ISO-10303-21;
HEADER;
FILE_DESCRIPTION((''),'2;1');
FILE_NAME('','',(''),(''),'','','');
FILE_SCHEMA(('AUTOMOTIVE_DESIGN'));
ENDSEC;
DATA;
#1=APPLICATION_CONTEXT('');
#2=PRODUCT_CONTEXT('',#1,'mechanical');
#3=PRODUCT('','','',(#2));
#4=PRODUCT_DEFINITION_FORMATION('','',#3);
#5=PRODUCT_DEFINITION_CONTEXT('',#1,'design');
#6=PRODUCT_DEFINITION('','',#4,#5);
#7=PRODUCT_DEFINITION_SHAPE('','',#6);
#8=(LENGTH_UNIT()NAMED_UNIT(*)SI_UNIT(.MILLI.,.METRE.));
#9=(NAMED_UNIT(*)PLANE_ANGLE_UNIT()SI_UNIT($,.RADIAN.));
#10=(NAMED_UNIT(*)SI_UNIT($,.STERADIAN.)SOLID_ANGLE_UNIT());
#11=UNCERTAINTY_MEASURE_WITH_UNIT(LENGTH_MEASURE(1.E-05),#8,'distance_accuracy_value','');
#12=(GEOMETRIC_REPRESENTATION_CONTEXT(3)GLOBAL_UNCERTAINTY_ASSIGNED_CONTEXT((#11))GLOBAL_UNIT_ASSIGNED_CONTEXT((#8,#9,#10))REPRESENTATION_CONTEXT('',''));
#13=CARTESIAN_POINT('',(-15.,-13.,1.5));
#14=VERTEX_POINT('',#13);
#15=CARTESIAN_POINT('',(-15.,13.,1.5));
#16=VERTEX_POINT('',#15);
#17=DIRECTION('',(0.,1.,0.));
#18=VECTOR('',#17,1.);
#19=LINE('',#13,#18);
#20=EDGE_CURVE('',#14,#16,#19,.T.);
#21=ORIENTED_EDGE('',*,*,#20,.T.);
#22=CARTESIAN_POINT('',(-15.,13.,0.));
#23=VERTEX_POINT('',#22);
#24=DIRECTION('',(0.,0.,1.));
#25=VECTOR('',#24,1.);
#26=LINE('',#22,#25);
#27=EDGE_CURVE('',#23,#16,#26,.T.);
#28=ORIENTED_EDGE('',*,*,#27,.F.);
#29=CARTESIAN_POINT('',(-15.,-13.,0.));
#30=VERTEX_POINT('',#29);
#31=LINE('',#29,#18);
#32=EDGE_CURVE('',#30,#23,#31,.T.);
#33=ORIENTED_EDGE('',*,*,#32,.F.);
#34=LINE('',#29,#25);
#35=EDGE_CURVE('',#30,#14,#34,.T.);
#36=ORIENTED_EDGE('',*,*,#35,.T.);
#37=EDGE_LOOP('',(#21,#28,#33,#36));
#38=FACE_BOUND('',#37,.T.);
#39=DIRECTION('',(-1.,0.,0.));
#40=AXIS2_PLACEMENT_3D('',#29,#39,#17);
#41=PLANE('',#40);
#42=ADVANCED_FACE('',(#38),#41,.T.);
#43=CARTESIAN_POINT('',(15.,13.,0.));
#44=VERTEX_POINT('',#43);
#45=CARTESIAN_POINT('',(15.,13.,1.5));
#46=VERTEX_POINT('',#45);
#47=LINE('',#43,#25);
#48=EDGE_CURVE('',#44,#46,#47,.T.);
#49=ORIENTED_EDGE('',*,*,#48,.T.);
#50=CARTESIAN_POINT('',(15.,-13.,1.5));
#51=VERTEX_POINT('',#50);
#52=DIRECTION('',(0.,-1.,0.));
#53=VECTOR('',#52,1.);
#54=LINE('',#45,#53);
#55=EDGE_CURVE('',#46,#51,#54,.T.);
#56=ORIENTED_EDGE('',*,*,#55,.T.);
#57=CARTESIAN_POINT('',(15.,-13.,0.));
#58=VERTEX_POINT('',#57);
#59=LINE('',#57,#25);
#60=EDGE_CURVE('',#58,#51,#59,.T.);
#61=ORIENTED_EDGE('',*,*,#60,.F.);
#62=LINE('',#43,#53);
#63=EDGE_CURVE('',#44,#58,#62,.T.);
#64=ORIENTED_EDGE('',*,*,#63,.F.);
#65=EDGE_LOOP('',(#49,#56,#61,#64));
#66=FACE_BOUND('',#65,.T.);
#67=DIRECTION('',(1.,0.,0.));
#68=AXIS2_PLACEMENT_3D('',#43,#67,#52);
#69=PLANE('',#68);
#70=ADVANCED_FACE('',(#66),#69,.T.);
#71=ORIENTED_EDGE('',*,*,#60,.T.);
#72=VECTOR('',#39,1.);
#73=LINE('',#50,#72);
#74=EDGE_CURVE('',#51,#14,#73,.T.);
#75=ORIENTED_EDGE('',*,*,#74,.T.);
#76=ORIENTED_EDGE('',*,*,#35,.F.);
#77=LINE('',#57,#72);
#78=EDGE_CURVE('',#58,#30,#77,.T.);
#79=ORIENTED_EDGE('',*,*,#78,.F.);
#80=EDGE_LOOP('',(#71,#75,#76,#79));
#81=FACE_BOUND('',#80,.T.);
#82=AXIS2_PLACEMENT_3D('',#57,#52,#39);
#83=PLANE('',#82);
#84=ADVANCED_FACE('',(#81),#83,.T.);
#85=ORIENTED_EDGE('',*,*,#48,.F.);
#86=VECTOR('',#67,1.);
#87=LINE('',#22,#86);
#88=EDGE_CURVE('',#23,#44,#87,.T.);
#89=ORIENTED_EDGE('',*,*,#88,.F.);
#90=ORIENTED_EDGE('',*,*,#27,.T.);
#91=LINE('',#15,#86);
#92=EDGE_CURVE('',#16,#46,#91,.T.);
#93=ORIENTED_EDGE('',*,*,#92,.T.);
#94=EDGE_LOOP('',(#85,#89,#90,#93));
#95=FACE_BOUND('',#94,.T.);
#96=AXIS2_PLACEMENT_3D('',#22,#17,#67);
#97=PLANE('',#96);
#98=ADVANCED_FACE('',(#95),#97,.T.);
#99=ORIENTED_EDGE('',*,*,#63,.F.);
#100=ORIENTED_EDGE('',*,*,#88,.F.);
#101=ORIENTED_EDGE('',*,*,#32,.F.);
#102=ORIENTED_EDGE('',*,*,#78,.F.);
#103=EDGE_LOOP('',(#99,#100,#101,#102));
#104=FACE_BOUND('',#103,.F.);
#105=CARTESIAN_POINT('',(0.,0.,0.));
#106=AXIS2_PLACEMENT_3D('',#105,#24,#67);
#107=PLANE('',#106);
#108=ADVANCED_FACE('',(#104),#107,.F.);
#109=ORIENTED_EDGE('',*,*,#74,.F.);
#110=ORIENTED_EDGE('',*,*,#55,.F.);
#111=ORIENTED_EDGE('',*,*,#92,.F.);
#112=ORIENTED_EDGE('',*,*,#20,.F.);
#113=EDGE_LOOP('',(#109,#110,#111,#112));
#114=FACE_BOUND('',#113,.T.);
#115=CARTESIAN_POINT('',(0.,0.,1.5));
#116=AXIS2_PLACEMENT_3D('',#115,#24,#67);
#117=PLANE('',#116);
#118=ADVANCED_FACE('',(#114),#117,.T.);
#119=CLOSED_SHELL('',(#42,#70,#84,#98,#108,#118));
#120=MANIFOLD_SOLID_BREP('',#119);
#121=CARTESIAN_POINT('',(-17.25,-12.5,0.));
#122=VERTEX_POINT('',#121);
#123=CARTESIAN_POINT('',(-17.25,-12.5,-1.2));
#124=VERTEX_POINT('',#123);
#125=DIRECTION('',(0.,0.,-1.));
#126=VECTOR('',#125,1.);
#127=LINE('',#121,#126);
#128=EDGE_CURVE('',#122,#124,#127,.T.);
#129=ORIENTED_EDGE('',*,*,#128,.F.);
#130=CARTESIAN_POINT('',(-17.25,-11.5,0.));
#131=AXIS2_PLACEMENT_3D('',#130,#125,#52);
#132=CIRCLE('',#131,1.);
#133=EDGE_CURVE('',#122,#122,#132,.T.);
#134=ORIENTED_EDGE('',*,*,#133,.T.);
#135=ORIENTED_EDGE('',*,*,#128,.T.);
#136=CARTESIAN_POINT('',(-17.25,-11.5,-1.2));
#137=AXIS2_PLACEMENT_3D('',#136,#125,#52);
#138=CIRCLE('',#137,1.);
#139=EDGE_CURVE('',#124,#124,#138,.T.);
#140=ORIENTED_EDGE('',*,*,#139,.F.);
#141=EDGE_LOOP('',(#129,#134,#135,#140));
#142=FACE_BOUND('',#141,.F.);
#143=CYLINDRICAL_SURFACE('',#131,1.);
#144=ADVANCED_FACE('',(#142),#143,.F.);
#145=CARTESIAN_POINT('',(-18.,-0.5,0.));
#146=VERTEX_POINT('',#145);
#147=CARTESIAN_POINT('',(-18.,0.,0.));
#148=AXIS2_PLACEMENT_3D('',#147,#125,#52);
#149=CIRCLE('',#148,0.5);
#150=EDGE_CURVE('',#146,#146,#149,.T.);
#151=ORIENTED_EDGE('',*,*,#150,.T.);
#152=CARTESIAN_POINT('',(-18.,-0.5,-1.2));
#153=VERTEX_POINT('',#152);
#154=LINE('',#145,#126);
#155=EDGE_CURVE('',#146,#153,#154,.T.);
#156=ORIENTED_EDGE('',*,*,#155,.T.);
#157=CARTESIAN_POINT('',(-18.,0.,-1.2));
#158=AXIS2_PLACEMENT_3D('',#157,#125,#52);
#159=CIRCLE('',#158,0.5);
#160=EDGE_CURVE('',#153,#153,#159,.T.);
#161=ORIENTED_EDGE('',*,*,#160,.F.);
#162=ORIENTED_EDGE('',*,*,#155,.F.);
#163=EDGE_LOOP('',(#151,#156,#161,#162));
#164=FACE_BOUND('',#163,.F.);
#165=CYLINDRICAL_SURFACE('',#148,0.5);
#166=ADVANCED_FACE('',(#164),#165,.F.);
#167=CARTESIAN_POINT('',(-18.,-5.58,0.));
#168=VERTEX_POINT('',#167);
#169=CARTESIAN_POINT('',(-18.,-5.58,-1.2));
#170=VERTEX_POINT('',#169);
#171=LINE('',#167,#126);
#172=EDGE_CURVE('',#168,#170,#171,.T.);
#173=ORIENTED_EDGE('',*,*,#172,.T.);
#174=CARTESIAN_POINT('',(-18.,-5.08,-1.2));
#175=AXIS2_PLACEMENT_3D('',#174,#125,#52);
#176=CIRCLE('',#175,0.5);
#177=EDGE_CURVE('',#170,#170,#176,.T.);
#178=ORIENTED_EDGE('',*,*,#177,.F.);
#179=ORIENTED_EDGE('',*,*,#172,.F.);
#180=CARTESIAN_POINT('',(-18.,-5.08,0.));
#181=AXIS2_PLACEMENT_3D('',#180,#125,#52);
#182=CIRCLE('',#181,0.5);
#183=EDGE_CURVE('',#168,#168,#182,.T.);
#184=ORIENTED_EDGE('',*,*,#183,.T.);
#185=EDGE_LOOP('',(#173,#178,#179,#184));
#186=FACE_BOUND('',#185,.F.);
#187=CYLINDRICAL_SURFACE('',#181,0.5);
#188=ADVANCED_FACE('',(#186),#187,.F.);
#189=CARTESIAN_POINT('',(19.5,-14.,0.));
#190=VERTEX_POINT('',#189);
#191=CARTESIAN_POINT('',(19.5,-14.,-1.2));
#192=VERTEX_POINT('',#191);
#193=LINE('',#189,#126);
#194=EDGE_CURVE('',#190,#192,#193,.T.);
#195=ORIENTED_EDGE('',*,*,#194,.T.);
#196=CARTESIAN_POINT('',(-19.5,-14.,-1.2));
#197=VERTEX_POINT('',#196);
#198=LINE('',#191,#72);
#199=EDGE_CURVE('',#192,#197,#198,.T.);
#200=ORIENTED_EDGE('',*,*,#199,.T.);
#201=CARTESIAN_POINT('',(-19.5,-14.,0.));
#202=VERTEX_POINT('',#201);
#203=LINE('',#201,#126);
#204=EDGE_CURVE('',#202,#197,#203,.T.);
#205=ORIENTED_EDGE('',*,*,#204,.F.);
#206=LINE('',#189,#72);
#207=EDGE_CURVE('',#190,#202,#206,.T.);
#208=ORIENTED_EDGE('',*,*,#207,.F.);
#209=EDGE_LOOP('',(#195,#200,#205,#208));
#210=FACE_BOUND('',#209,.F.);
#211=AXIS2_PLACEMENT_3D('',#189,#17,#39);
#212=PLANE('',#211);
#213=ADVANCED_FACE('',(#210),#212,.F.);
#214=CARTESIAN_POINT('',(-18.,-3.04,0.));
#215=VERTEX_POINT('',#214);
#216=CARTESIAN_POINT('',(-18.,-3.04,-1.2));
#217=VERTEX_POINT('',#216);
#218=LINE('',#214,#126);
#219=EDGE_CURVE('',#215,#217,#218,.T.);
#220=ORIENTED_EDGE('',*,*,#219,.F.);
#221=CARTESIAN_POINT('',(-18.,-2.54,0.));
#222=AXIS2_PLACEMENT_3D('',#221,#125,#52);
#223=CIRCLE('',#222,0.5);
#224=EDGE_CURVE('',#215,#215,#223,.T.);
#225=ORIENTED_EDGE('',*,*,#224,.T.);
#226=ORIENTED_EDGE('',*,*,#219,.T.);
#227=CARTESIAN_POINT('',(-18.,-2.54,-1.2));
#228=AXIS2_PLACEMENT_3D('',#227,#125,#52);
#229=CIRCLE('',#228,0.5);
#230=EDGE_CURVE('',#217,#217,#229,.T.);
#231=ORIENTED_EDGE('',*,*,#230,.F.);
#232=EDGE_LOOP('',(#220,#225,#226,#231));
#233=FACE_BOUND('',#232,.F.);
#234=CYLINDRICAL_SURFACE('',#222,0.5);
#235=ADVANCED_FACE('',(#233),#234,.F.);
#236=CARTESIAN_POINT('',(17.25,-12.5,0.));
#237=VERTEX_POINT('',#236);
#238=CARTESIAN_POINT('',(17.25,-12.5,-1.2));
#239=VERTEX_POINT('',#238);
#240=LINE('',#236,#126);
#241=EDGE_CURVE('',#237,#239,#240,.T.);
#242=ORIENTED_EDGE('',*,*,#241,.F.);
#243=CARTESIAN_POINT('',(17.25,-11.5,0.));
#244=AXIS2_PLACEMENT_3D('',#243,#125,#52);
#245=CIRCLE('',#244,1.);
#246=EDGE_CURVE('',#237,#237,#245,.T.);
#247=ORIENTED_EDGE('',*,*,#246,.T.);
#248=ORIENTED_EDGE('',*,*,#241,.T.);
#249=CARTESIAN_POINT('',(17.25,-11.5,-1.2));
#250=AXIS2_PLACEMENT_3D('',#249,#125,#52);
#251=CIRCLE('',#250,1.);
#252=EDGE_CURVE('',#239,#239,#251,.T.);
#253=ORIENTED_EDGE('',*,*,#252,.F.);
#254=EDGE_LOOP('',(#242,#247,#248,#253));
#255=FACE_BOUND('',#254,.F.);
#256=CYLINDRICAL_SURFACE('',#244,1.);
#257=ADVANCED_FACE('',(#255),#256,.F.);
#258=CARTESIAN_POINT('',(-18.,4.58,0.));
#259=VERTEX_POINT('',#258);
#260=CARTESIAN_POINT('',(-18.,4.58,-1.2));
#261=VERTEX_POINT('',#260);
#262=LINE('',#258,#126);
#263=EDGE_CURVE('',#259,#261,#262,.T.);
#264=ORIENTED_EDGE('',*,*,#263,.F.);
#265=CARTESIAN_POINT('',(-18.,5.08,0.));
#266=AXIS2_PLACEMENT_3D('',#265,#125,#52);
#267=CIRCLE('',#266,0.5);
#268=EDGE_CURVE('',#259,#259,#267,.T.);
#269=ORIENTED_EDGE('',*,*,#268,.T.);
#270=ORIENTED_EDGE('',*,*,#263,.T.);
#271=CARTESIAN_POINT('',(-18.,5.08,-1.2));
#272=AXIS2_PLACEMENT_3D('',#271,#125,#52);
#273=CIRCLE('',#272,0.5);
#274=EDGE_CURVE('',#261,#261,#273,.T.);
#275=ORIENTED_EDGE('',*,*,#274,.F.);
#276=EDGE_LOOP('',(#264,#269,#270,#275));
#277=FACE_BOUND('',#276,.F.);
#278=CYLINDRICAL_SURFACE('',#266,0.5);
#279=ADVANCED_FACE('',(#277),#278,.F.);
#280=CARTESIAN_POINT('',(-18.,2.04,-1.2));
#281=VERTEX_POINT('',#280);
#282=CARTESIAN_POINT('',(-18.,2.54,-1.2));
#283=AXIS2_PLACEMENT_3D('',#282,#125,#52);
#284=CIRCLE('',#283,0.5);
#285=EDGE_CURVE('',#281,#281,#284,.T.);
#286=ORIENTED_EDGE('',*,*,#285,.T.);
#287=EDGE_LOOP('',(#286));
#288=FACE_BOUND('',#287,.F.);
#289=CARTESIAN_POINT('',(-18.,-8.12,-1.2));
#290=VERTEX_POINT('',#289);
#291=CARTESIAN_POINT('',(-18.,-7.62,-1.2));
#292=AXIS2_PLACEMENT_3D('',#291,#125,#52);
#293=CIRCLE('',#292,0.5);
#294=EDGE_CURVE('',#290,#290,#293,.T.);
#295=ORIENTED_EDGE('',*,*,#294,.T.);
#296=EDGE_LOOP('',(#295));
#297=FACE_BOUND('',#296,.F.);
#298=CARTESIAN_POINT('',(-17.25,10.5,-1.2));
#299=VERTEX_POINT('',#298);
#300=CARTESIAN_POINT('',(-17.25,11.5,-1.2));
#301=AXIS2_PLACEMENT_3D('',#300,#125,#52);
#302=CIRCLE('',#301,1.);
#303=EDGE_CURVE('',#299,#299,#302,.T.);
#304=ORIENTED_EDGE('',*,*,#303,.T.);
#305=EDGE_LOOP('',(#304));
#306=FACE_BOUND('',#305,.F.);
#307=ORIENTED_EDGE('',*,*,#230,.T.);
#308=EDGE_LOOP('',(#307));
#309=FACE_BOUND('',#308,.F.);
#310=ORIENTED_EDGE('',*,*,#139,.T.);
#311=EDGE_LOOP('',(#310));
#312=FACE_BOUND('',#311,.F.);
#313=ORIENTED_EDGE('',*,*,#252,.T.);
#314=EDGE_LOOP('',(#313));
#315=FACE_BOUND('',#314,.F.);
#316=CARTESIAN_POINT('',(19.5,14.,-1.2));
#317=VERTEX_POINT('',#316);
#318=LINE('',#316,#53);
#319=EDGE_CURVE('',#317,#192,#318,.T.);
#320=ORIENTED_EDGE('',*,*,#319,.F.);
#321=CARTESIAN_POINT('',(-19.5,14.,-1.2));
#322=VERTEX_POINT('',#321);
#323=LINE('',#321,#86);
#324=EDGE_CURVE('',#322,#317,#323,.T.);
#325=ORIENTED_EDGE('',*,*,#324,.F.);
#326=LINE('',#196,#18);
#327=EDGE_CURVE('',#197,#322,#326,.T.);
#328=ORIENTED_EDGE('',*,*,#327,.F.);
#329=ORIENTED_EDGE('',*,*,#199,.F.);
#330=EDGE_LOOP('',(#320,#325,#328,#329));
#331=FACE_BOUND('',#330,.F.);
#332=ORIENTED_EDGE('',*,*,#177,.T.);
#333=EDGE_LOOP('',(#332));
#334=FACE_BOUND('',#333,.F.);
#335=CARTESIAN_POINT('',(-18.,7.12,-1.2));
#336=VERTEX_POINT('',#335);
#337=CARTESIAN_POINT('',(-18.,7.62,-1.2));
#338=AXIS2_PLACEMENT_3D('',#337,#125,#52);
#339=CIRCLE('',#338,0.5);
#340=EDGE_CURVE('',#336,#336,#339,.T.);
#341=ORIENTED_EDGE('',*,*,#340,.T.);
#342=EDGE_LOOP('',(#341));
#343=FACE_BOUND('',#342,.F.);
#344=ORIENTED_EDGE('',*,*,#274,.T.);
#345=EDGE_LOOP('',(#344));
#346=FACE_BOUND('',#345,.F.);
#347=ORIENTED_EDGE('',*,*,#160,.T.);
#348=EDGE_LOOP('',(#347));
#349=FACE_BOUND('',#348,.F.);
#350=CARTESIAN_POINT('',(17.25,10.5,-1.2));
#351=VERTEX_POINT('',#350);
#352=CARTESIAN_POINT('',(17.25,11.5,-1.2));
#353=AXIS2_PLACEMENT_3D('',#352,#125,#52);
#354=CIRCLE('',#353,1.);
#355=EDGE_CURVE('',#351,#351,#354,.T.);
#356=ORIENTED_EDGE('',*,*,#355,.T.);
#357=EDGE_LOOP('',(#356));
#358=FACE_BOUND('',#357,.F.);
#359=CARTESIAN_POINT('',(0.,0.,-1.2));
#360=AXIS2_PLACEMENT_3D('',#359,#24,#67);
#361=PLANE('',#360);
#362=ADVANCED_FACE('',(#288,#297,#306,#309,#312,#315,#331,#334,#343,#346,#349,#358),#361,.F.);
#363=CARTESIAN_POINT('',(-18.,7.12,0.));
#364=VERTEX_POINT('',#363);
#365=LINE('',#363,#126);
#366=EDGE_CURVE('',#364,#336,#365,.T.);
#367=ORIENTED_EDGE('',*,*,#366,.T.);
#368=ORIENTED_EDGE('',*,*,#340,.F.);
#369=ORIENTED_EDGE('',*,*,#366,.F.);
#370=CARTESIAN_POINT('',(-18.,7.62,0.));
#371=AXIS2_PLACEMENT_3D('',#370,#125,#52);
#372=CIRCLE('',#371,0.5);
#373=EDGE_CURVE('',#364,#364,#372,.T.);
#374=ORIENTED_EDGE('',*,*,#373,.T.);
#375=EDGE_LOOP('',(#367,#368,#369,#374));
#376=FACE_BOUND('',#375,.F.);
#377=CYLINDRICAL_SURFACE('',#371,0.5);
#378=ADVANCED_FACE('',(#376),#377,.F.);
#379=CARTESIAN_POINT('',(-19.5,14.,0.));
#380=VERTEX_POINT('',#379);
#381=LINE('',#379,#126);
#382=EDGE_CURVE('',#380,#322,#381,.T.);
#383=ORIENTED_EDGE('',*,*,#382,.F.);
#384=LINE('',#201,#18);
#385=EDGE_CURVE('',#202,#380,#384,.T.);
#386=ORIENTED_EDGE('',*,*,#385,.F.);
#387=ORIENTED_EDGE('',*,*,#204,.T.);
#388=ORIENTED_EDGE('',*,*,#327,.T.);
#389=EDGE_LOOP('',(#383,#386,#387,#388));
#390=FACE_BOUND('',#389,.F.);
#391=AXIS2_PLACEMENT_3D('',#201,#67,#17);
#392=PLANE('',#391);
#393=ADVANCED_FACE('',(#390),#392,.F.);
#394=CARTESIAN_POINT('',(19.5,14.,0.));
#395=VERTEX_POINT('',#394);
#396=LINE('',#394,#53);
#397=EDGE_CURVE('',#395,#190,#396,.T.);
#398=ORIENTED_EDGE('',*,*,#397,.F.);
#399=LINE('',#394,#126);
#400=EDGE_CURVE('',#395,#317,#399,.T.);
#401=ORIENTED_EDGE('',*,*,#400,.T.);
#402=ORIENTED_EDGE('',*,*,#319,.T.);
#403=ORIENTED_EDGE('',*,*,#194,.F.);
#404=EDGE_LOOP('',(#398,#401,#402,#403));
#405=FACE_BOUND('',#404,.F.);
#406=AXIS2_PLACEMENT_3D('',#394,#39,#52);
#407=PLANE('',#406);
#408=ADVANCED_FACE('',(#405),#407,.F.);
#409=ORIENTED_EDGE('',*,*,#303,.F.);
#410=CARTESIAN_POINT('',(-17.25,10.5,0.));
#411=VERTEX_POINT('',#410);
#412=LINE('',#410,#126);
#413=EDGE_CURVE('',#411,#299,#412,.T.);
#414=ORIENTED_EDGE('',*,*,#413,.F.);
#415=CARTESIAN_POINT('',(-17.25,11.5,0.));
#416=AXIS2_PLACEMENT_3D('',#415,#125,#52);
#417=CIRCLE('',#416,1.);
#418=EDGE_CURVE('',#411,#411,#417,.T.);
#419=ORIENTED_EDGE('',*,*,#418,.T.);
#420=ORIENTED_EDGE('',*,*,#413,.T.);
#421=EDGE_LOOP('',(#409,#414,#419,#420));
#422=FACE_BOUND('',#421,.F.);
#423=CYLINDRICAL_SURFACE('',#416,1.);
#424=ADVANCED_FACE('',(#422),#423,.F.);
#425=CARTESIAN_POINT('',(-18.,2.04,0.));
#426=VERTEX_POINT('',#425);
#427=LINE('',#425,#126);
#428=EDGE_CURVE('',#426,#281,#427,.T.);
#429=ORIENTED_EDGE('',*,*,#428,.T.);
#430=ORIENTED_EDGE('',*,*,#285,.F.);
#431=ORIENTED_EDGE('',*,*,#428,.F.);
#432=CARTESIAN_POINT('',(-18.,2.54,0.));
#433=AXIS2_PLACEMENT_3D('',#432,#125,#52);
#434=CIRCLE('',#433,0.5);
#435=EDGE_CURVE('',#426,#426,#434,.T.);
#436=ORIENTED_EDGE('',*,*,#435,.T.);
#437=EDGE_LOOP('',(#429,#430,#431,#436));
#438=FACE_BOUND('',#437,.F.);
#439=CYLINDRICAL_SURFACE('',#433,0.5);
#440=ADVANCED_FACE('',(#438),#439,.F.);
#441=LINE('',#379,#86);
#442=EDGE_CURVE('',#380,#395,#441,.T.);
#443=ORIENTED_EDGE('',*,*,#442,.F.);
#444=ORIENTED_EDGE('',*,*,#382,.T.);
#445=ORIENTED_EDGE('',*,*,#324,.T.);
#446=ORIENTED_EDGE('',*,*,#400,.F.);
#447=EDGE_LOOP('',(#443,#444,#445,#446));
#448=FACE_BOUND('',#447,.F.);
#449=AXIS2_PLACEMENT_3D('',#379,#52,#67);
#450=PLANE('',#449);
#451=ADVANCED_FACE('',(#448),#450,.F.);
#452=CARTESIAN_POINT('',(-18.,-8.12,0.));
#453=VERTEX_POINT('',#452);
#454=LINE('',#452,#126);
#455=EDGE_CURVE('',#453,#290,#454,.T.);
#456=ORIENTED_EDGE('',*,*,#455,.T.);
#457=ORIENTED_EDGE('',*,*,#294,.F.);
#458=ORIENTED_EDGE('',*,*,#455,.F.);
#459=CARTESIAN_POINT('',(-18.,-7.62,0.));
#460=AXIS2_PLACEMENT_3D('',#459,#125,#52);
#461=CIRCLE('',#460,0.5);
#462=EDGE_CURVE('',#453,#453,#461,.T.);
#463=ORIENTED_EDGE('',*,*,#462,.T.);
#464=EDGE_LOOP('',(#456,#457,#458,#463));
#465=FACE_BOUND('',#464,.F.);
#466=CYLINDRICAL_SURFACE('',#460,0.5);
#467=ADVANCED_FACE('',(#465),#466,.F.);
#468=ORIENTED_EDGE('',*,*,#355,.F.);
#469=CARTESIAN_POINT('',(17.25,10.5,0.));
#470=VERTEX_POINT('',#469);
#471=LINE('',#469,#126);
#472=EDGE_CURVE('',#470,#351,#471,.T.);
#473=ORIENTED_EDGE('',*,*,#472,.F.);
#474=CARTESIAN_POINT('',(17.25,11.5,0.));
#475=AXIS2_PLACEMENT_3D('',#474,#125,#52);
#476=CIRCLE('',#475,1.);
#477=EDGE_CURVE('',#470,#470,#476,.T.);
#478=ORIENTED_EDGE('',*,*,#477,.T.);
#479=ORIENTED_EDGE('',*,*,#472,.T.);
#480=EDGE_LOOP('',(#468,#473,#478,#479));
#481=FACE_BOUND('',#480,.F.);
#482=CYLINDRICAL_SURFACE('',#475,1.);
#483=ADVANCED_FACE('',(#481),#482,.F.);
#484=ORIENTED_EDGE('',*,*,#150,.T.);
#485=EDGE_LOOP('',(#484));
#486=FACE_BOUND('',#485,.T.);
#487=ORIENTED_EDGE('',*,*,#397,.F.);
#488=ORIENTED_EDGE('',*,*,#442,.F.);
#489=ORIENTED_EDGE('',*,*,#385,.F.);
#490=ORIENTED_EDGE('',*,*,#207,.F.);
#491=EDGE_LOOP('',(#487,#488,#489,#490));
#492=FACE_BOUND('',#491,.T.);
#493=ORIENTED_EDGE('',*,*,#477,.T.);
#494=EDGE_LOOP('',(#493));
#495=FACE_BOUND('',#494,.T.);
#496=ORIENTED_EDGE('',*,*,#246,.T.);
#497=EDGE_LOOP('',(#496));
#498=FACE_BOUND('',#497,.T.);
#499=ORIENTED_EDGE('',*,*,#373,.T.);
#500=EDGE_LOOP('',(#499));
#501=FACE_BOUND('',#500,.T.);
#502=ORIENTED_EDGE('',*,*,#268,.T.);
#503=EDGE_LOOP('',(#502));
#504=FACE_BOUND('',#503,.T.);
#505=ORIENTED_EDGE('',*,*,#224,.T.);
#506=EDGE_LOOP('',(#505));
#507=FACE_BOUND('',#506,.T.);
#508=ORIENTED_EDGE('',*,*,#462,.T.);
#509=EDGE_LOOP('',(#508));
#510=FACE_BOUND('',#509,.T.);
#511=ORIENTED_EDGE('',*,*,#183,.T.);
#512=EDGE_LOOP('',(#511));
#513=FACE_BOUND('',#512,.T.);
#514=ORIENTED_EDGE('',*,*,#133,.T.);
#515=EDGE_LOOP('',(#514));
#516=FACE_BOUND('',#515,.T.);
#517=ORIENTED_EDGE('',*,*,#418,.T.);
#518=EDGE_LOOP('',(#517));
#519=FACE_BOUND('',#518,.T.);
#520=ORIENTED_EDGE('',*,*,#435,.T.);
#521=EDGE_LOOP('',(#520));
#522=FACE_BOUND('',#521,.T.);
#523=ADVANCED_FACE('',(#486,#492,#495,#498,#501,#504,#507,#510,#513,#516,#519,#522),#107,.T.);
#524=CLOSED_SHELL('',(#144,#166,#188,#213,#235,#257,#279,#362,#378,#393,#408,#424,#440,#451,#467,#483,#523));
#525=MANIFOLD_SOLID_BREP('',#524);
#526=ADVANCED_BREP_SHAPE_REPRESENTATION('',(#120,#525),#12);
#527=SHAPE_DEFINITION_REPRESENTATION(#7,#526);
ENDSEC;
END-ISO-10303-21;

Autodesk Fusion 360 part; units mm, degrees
sketch "Sketch1" plane through (0, 0, 0) normal (0, 0, 1) x (1, 0, 0)
  line L0 (-19.5, 14) -> (19.5, 14)
  line L1 (19.5, 14) -> (19.5, -14)
  line L2 (19.5, -14) -> (-19.5, -14)
  line L3 (-19.5, -14) -> (-19.5, 14)
  line L4 (0, 14) -> (0, -14) construction
  line L5 (-19.5, 0) -> (19.5, 0) construction
  circle A0 centre (-17.25, 11.5) radius 1 construction
  circle A1 centre (17.25, 11.5) radius 1 construction
  circle A2 centre (-17.25, -11.5) radius 1 construction
  circle A3 centre (17.25, -11.5) radius 1 construction
  line L6 (-17.25, 11.5) -> (17.25, 11.5) construction
  line L7 (17.25, 11.5) -> (17.25, -11.5) construction
  line L8 (17.25, -11.5) -> (-17.25, -11.5) construction
  line L9 (-17.25, -11.5) -> (-17.25, 11.5) construction
  point P0 (-18, 14)
  point P1 (-18, -14)
  dimension "d1" = 28
  dimension "d2" = 39
  dimension "d3" = 17.25
  dimension "d4" = 17.25
  dimension "d5" = 11.5
  dimension "d6" = 11.5
  dimension "d7" = 2
  dimension "d27" = 1.5
  dimension "d28" = 1.5
extrude "Extrude1" add sketch "Sketch1" against normal blind 1.2 makes body 1
hole "Hole1" at (-17.25, 11.5, 0) at (17.25, 11.5, 0) at (17.25, -11.5, 0) at (-17.25, -11.5, 0) direction (0, 0, -1) diameter 2 depth 1.2 tip angle 180 bodies 1
sketch "Sketch2" plane through (0, 0, 0) normal (0, 0, 1) x (1, 0, 0)
  line L0 (-15, 13) -> (15, 13)
  line L1 (15, 13) -> (15, -13)
  line L2 (15, -13) -> (-15, -13)
  line L3 (-15, -13) -> (-15, 13)
  line L4 (0, 13) -> (0, -12.6799) construction
  line L5 (-15, 0) -> (15, 0) construction
  dimension "d13" = 26
  dimension "d14" = 30
extrude "Extrude2" add sketch "Sketch2" along normal blind 1.5 separate body makes body 2
sketch "Sketch4" plane through (0, 0, 0) normal (0, 0, 1) x (1, 0, 0)
  line L0 (-18, 14) -> (-18, -14) construction
  circle A0 centre (-18, 0) radius 0.5 construction
  circle A1 centre (-18, 2.54) radius 0.5 construction
  circle A2 centre (-18, 5.08) radius 0.5 construction
  circle A3 centre (-18, 7.62) radius 0.5 construction
  circle A4 centre (-18, -2.54) radius 0.5 construction
  circle A5 centre (-18, -5.08) radius 0.5 construction
  circle A6 centre (-18, -7.62) radius 0.5 construction
  dimension "d29" = 1
  dimension "d30" = 2.54
  dimension "d31" = 2.54
  dimension "d32" = 2.54
  dimension "d33" = 2.54
  dimension "d34" = 2.54
  dimension "d35" = 2.54
hole "Hole2" at (-18, 7.62, 0) at (-18, 5.08, 0) at (-18, 2.54, 0) at (-18, 0, 0) at (-18, -2.54, 0) at (-18, -5.08, 0) at (-18, -7.62, 0) direction (0, 0, -1) diameter 1 depth 1.2 tip angle 180 bodies 1
equation "d4 = d3"
equation "d6 = d5"
equation "d31 = d30"
equation "d32 = d30"
equation "d33 = d30"
equation "d34 = d30"
equation "d35 = d30"
